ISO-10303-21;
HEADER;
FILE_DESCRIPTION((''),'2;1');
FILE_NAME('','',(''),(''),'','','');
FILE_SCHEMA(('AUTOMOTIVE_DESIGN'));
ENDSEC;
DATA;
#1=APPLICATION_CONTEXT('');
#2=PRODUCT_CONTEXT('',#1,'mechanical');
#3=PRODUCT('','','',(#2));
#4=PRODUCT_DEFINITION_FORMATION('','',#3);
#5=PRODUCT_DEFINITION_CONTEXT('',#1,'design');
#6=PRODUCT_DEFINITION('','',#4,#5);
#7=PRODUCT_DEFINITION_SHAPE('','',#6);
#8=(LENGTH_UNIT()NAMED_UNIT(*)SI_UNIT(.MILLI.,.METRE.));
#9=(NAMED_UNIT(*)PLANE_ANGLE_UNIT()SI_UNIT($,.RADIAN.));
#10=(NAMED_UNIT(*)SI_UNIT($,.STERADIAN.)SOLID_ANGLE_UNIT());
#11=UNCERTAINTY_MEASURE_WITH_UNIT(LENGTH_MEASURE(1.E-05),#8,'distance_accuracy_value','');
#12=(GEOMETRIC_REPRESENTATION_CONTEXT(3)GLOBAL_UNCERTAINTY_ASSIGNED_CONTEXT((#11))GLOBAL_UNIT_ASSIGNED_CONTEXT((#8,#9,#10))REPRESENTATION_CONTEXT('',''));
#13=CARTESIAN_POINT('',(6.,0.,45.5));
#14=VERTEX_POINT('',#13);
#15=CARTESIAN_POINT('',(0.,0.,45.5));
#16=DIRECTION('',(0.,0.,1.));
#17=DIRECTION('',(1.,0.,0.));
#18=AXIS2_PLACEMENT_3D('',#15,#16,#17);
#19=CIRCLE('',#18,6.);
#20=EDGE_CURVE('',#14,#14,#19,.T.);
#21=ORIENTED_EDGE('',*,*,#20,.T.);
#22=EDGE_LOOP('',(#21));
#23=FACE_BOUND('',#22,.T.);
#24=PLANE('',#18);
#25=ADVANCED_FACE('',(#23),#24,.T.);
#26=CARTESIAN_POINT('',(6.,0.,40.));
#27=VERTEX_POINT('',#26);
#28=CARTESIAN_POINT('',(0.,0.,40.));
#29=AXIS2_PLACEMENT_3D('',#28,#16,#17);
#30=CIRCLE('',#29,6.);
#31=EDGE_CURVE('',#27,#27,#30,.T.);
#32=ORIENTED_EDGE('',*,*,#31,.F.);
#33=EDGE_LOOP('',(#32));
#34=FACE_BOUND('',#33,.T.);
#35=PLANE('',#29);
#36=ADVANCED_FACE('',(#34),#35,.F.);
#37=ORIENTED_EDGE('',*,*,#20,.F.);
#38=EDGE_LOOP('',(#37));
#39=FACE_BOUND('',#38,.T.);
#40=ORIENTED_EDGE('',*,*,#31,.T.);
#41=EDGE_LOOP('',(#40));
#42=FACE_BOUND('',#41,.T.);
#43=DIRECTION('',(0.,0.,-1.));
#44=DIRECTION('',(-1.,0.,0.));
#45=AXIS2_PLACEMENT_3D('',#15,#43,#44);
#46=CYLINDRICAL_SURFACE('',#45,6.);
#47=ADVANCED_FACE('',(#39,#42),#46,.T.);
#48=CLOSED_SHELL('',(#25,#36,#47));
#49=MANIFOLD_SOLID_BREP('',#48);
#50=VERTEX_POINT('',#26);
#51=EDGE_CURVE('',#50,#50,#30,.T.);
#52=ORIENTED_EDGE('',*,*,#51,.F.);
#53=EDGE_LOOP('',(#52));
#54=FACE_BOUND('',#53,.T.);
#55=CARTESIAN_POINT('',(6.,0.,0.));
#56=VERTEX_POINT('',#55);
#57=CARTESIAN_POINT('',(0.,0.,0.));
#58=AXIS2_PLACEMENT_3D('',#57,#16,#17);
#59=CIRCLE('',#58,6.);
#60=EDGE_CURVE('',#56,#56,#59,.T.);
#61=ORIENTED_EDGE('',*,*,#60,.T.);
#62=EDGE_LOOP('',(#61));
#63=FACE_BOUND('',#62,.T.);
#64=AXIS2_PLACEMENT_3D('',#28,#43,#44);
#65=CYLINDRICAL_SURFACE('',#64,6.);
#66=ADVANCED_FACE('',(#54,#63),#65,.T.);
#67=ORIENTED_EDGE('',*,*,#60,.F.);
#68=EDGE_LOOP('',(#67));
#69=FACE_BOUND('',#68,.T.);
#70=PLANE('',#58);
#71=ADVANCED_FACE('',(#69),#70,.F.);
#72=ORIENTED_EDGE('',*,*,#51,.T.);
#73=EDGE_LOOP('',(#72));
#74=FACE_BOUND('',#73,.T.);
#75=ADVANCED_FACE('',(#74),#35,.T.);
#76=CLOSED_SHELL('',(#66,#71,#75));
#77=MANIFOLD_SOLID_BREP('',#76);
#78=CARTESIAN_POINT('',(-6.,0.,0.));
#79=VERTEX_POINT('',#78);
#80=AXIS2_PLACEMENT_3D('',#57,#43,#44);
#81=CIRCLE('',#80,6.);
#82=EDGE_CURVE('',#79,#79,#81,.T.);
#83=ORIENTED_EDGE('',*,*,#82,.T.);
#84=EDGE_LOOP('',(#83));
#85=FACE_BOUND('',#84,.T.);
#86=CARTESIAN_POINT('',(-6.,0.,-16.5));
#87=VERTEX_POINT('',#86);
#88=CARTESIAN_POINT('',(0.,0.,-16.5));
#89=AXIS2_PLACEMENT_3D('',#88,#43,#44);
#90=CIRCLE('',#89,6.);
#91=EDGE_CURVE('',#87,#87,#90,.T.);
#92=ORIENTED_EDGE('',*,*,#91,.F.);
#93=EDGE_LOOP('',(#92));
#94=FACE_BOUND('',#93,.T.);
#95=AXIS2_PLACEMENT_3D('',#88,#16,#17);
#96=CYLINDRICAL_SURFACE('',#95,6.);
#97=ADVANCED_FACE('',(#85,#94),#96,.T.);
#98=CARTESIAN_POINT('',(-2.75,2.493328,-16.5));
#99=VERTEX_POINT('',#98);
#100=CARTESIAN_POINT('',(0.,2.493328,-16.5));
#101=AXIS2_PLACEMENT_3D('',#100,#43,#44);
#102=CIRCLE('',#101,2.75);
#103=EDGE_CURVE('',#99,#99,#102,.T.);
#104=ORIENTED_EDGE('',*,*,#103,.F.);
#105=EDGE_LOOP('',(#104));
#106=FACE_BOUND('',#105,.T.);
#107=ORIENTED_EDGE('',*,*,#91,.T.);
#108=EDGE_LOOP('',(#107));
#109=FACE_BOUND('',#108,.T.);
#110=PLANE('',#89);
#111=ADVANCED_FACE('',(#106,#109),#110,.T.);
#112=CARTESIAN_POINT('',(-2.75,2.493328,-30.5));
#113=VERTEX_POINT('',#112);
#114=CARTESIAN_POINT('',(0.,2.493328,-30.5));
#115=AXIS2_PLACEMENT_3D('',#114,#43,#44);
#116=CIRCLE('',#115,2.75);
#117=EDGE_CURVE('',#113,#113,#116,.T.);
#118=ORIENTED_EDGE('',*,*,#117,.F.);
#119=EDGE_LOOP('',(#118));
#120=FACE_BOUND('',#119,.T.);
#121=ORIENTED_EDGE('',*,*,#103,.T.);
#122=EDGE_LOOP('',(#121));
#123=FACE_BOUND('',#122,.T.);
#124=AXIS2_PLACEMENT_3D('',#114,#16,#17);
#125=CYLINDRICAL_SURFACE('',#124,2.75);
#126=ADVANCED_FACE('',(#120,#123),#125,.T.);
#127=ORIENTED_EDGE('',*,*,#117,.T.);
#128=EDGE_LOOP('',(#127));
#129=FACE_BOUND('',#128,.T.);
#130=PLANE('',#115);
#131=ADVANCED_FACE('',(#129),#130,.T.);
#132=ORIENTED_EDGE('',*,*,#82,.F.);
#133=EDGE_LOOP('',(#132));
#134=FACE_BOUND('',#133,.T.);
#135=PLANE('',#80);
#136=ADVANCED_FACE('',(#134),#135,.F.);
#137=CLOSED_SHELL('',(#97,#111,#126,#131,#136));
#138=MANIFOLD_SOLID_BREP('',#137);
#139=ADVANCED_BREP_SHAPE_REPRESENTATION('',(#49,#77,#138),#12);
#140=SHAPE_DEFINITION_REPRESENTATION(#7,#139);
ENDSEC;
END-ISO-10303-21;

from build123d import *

# Parameters (mm, degrees)
SKETCH1_R           = 6
BOSS_EXTRUDE1_DEPTH = 40
SKETCH2_R           = 6
BOSS_EXTRUDE2_DEPTH = 5.5
SKETCH3_R           = 6
BOSS_EXTRUDE3_DEPTH = 16.5
SKETCH4_R           = 2.75
BOSS_EXTRUDE4_DEPTH = 14


with BuildPart() as part:
    # Sketch1 → Boss-Extrude1 (new body)
    with BuildSketch(Plane.XY):
        Circle(SKETCH1_R)
    extrude(amount=BOSS_EXTRUDE1_DEPTH)


with BuildPart() as body_2:
    # Sketch2 → Boss-Extrude2 (new body)
    with BuildSketch(Plane.XY.offset(40)):
        Circle(SKETCH2_R)
    extrude(amount=BOSS_EXTRUDE2_DEPTH)


with BuildPart() as body_3:
    # Sketch3 → Boss-Extrude3 (new body)
    with BuildSketch(Plane(origin=(0, 0, 0), x_dir=(-1, 0, 0), z_dir=(0, 0, -1))):
        Circle(SKETCH3_R)
    extrude(amount=BOSS_EXTRUDE3_DEPTH)

    # Sketch4 → Boss-Extrude4 (add)
    with BuildSketch(Plane(origin=(0, 0, -16.5), x_dir=(-1, 0, 0), z_dir=(0, 0, -1))):
        with Locations((0, 2.493327733)):
            Circle(SKETCH4_R)
    extrude(amount=BOSS_EXTRUDE4_DEPTH)


solid = Compound([part.part, body_2.part, body_3.part])
